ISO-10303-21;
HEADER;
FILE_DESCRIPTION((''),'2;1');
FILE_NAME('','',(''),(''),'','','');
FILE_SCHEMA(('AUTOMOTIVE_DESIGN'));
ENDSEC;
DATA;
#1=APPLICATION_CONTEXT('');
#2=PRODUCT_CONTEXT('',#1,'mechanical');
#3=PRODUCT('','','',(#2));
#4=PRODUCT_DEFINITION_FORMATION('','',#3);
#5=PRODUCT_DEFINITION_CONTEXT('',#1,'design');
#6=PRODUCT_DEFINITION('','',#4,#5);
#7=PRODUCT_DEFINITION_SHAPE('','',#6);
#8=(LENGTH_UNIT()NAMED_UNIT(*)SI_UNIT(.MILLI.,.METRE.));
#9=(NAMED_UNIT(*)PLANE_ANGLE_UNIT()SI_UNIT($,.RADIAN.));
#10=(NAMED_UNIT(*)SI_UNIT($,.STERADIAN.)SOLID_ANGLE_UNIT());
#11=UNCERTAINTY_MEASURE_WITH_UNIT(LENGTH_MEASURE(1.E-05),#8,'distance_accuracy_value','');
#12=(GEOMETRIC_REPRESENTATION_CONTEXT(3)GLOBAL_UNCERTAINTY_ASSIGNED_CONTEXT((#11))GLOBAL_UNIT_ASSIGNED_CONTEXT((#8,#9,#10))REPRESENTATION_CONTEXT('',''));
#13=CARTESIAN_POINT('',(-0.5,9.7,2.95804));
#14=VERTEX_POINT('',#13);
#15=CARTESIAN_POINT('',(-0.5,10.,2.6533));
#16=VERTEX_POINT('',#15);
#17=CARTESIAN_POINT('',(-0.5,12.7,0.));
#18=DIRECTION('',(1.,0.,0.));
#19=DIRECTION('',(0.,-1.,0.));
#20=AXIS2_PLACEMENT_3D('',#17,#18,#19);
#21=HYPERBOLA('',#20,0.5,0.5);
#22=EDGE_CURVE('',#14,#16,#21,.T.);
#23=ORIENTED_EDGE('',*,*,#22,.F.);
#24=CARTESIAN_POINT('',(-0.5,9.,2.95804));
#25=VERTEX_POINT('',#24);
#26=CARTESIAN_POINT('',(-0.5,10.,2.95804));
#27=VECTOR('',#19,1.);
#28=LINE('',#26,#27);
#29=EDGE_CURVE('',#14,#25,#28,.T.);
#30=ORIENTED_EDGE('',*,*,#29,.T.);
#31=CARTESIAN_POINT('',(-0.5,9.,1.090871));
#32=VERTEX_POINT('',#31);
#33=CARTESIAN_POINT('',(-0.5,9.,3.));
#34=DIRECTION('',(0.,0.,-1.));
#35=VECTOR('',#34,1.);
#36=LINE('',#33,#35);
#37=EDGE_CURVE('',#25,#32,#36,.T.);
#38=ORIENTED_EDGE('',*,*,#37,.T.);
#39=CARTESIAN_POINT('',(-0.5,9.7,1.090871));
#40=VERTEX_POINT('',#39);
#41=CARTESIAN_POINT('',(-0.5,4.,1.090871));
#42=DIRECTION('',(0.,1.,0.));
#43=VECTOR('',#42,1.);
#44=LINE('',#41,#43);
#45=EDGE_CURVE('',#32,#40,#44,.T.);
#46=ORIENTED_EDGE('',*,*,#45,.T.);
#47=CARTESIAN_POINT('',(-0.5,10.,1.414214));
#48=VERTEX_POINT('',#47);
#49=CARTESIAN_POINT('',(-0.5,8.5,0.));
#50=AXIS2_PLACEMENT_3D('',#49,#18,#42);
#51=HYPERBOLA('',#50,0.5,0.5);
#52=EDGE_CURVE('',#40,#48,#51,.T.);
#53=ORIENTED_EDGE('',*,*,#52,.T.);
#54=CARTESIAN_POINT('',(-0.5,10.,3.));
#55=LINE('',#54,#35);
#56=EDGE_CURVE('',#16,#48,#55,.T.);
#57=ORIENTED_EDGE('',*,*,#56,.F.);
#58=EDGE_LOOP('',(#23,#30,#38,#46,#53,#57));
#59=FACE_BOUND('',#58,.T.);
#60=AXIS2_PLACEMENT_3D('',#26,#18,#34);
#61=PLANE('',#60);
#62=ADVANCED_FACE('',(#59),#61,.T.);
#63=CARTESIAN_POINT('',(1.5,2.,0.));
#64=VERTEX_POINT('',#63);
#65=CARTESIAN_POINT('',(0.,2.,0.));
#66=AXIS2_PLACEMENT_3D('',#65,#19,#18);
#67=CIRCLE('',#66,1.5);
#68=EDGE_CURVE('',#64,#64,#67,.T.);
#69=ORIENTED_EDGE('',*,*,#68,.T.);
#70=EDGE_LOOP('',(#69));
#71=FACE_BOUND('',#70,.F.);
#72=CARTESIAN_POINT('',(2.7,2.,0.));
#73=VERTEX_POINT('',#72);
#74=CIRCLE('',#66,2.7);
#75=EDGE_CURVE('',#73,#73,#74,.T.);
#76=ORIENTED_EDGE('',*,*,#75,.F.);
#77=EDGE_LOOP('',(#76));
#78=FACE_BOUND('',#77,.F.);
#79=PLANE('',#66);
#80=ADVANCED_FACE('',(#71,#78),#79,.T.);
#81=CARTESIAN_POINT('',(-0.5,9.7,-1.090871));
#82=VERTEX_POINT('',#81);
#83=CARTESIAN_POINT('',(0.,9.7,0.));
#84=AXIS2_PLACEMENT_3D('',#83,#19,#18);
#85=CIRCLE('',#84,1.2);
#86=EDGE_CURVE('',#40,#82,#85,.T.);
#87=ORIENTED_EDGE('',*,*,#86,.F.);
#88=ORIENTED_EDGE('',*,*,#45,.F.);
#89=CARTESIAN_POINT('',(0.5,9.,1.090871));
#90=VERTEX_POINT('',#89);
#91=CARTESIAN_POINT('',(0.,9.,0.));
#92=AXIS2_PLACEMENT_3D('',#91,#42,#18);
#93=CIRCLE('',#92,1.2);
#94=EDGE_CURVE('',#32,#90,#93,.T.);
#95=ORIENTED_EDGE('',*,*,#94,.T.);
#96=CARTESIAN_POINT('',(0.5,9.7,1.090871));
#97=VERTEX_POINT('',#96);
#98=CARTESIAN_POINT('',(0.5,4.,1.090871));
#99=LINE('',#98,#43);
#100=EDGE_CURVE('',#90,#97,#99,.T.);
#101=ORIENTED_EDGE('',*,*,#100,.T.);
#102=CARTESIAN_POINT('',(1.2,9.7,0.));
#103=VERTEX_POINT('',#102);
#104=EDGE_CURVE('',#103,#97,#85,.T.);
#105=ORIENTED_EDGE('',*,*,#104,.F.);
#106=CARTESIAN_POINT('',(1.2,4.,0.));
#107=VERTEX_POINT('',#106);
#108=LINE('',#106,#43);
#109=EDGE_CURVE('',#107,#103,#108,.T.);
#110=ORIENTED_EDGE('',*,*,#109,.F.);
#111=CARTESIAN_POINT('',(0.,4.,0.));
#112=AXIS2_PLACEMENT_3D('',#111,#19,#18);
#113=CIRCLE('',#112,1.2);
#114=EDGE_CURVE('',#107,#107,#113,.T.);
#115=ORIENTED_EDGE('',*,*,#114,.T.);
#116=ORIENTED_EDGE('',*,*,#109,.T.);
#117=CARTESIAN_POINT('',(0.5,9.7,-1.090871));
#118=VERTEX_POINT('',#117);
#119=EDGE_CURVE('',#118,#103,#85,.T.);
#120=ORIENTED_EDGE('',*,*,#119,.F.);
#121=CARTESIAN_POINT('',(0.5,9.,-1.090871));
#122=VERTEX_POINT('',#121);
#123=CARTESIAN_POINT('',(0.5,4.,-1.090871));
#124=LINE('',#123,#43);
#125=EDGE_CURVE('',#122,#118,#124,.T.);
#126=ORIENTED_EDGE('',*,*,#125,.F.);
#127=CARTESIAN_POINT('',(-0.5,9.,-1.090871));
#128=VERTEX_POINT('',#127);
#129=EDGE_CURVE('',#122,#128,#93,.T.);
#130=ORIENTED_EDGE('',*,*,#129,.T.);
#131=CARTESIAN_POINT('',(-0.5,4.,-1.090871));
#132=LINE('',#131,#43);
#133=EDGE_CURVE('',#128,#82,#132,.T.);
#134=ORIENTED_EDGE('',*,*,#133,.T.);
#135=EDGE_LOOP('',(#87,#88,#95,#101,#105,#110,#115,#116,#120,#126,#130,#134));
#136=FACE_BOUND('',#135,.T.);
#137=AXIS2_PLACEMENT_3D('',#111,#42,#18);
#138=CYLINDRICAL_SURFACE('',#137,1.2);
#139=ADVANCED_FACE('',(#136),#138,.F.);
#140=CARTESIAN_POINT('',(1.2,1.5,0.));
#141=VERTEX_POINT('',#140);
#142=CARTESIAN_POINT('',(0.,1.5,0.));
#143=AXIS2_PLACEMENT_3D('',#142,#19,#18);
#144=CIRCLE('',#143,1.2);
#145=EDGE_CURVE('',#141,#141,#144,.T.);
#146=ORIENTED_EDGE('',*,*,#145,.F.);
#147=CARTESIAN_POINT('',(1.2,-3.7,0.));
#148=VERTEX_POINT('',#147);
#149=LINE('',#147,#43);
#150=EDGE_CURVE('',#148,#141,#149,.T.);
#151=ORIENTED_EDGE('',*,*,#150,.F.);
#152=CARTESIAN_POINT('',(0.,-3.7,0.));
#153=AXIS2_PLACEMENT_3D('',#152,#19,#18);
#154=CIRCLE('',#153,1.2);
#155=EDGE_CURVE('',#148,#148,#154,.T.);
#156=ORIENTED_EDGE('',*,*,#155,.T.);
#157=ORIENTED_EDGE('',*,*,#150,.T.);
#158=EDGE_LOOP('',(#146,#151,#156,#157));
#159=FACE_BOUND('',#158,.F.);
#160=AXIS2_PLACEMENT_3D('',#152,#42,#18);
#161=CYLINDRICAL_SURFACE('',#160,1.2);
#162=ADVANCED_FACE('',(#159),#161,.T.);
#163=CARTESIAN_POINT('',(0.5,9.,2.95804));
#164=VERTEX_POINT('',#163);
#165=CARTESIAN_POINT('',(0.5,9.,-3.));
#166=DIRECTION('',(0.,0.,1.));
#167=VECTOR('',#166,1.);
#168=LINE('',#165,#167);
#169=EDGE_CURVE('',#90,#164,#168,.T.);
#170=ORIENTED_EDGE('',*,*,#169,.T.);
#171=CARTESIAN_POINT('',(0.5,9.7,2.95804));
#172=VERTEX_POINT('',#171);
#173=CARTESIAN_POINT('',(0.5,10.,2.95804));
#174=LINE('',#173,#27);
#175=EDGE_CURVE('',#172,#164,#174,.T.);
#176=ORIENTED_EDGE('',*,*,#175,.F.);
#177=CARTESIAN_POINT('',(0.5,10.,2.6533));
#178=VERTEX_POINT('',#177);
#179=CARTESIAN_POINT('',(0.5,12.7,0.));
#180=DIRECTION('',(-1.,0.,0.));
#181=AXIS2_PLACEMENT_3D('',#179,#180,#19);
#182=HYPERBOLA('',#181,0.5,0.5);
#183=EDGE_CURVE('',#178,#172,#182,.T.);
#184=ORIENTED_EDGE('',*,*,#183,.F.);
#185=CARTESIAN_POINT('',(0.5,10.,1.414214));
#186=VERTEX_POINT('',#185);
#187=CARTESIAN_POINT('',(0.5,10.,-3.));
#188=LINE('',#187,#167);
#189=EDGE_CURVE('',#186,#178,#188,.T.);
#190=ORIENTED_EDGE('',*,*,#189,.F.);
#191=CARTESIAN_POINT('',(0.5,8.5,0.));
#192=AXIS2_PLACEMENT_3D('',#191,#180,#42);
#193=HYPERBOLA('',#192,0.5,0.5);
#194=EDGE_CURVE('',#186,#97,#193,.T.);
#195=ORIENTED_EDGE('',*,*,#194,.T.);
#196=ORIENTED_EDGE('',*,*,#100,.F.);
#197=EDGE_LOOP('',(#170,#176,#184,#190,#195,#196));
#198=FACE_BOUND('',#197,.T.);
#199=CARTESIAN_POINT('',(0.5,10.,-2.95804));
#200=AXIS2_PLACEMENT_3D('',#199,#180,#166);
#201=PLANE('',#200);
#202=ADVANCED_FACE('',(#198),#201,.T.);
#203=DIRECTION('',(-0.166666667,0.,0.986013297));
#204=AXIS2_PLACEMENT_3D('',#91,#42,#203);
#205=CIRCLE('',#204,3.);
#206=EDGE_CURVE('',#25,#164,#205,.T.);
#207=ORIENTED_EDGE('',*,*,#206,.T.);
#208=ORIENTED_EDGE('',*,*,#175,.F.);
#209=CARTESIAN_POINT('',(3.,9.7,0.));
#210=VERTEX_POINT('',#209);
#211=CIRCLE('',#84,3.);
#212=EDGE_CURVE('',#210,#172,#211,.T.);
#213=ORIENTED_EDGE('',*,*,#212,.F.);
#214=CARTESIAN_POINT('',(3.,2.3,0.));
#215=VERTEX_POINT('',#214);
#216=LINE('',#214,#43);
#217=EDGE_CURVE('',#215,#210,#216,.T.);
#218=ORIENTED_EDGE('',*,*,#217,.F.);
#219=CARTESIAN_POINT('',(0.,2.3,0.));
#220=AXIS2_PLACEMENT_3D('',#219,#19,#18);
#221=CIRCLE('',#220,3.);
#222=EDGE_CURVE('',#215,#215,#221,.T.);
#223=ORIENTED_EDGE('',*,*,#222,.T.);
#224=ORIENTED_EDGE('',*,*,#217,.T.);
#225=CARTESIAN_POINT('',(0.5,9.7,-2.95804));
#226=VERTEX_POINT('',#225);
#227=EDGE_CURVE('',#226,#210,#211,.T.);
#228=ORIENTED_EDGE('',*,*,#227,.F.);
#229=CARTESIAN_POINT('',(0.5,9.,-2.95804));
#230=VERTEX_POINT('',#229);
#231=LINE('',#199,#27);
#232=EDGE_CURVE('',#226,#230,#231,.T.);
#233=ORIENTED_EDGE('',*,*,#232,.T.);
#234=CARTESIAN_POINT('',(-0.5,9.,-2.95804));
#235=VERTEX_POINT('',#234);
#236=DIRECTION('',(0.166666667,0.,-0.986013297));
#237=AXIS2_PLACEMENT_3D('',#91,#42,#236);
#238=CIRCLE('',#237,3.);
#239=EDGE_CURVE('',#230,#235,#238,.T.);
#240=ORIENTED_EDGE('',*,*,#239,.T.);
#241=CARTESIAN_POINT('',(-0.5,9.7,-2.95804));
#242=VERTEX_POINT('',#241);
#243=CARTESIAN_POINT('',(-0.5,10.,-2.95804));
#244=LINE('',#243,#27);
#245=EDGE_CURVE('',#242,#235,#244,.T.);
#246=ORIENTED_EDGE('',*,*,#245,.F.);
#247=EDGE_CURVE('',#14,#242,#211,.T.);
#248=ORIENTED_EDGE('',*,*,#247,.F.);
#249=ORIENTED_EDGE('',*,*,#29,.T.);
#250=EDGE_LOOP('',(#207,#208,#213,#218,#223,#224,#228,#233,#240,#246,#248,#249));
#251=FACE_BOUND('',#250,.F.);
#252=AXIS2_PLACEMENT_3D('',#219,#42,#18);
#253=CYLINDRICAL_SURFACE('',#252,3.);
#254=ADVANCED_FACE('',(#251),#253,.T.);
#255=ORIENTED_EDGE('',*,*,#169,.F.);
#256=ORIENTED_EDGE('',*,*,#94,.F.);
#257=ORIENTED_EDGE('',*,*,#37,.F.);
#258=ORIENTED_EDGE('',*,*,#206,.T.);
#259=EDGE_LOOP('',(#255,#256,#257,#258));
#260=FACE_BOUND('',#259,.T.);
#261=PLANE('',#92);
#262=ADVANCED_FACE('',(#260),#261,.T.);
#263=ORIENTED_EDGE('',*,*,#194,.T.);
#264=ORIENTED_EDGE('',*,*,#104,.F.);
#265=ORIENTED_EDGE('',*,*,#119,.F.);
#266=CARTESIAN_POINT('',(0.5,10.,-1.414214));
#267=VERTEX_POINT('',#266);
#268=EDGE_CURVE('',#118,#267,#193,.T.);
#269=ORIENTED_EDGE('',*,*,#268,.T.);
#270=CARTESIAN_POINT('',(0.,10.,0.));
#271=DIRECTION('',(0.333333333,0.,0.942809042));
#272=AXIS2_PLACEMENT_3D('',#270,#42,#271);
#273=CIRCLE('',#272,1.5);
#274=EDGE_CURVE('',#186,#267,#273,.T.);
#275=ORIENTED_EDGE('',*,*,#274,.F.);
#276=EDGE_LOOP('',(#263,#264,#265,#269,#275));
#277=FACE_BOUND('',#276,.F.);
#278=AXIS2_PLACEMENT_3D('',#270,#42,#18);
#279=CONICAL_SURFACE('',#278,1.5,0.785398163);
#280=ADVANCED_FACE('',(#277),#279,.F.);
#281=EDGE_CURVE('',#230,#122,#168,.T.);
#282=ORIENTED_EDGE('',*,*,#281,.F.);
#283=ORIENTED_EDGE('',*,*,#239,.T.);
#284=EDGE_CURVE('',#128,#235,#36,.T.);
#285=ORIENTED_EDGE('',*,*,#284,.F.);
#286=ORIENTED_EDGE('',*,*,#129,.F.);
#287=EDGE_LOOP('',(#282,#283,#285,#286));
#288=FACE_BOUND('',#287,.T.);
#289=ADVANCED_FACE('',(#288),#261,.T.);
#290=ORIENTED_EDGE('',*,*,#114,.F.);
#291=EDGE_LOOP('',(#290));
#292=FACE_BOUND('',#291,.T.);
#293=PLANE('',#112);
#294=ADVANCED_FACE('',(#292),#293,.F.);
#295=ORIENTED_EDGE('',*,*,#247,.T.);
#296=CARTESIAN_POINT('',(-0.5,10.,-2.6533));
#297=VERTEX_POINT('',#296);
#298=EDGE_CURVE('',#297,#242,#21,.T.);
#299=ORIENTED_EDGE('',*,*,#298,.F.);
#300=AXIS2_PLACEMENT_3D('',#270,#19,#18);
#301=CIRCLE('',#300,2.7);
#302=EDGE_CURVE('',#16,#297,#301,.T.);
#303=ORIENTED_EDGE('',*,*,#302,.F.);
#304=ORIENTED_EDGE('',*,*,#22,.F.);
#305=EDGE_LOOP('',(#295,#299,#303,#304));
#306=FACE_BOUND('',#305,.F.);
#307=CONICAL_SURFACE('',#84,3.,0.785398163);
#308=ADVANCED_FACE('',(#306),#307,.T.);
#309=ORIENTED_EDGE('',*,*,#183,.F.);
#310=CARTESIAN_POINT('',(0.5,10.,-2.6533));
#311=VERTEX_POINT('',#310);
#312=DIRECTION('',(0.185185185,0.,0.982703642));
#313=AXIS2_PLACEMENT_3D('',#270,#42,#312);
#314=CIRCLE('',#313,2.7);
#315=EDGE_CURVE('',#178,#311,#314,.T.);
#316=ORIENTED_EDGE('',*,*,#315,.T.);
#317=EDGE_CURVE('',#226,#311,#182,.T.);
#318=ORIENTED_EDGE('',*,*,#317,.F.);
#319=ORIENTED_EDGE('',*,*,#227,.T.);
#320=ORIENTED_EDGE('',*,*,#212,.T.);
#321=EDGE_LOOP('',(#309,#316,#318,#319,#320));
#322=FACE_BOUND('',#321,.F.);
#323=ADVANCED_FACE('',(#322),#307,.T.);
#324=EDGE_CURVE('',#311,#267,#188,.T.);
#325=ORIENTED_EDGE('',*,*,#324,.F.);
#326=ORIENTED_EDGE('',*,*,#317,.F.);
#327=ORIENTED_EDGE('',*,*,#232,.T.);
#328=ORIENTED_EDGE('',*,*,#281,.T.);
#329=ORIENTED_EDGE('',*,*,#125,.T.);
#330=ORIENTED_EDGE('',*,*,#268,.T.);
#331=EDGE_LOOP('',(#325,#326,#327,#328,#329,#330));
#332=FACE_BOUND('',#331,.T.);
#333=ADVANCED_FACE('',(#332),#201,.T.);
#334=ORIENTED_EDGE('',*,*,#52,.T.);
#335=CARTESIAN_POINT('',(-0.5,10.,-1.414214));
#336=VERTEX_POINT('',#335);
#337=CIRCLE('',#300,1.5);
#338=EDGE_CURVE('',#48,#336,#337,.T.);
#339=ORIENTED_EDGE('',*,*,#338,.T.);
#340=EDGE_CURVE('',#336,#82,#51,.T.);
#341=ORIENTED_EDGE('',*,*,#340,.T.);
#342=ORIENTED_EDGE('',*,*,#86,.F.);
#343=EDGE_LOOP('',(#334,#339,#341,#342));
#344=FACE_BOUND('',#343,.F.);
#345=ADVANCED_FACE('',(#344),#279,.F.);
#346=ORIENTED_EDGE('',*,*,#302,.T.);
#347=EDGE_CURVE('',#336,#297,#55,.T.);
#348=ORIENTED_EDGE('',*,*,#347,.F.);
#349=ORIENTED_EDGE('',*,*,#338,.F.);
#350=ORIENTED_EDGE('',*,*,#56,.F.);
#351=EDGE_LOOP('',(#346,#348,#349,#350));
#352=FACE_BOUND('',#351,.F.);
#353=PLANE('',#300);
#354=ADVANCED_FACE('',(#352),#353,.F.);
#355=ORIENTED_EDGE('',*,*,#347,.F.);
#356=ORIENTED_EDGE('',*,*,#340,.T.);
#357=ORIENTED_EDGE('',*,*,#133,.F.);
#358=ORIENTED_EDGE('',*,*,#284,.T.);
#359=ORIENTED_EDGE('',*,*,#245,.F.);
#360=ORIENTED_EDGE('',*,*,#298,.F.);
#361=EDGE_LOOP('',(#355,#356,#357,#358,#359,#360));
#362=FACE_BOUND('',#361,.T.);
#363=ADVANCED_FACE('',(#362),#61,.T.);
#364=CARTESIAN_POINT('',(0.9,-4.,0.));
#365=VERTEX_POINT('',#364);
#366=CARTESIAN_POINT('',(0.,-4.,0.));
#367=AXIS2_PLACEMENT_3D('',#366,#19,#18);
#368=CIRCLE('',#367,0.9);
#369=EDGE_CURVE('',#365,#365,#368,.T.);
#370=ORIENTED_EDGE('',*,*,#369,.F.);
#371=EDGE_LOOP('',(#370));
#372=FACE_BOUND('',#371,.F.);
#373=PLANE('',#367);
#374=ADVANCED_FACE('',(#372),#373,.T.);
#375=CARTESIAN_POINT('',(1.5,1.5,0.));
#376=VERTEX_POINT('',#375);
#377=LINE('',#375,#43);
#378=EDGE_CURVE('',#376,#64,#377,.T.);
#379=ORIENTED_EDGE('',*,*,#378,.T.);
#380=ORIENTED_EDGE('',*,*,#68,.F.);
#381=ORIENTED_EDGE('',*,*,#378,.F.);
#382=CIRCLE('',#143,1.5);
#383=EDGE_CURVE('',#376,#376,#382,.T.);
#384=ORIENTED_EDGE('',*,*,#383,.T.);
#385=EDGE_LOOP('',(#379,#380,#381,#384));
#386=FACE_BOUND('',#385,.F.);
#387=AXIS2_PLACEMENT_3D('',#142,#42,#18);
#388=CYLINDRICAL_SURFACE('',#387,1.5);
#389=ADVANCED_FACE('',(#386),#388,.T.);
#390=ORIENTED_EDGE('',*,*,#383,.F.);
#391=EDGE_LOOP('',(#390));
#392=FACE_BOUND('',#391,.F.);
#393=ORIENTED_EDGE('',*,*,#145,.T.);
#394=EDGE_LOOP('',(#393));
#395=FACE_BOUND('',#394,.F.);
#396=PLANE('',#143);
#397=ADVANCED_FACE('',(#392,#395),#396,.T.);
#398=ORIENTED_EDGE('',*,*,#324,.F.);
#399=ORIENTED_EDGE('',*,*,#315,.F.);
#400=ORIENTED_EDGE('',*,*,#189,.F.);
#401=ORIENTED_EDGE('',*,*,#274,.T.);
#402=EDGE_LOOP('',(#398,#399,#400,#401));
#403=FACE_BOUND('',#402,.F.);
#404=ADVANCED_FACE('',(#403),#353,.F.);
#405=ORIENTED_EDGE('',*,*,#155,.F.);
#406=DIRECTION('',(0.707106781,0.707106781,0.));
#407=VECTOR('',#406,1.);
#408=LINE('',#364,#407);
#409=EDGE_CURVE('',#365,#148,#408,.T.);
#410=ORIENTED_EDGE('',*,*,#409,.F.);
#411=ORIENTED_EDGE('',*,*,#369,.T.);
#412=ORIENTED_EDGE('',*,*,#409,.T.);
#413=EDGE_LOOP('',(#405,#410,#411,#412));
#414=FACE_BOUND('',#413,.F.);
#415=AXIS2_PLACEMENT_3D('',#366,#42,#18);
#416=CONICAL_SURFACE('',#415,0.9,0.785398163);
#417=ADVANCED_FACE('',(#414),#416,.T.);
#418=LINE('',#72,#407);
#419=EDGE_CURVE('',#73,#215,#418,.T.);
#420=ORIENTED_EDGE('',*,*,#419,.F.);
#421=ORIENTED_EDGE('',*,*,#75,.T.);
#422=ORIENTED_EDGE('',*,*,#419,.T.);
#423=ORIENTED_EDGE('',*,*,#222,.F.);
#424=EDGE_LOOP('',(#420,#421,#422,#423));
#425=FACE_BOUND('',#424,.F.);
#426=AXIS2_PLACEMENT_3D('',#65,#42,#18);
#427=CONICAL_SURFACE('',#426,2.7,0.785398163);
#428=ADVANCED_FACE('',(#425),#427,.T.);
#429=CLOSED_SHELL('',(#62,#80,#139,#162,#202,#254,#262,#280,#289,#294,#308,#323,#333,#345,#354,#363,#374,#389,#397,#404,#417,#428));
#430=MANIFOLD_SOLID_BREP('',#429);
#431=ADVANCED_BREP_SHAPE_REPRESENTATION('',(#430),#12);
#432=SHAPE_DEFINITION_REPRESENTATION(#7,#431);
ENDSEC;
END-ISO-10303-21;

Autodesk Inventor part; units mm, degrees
ref_plane "YZ Plane" through (0, 0, 0) normal (1, 0, 0) x (0, 1, 0)
ref_plane "XZ Plane" through (0, 0, 0) normal (0, 1, 0) x (-1, 0, 0)
ref_plane "XY Plane" through (0, 0, 0) normal (0, 0, 1) x (1, 0, 0)
sketch "スケッチ1" plane through (0, 0, 0) normal (0, 0, 1) x (1, 0, 0)
  line L0 (0, -4) -> (0.9, -4)
  line L1 (0.9, -4) -> (1.2, -3.7)
  line L2 (1.2, -3.7) -> (1.2, 1.5)
  line L3 (1.2, 1.5) -> (1.5, 1.5)
  line L4 (1.5, 1.5) -> (1.5, 2)
  line L5 (1.5, 2) -> (2.7, 2)
  line L6 (3, 9.7) -> (2.7, 10)
  line L7 (2.7, 10) -> (1.5, 10)
  line L8 (1.5, 10) -> (1.2, 9.7)
  line L9 (0, 7.4044) -> (0, -7.4044) construction
  line L10 (0, -4) -> (0, 4)
  line L11 (0, 4) -> (1.2, 4)
  line L12 (1.2, 4) -> (1.2, 9.7)
  line L13 (2.7, 2) -> (3, 2.3)
  line L14 (3, 2.3) -> (3, 9.7)
  point P0 (0, 0)
  point P1 (0, 0)
  point P2 (0, 0)
  dimension "d0" = 2.4
  dimension "d1" = 6
  dimension "d2" = 0.3
  dimension "d3" = 0.3
  dimension "d4" = 3
  dimension "d5" = 0.5
  dimension "d6" = 8
  dimension "d7" = 0.3
  dimension "d8" = 2.4
  dimension "d9" = 6
  dimension "d10" = 0.3
  dimension "d11" = 0.3
  dimension "d12" = 0.3
  dimension "d13" = 0.3
  dimension "d14" = 6
revolve "回転1" add sketch "スケッチ1" angle 360 about axis through (0, 7.4044, 0) along (0, -1, 0)
sketch "スケッチ2" plane through (0, 10, 0) normal (0, 1, 0) x (1, 0, 0)
  line L0 (-0.5, 3) -> (0.5, 3)
  line L1 (0.5, 3) -> (0.5, -3)
  line L2 (0.5, -3) -> (-0.5, -3)
  line L3 (-0.5, -3) -> (-0.5, 3)
  line L4 (-0.5, 3) -> (0.5, -3) construction
  line L5 (0.5, 3) -> (-0.5, -3) construction
  circle A0 centre (0, 0) radius 3 projected
  point P0 (0, 0)
  point P1 (0.5, 2.958)
  point P2 (-0.5, 2.958)
  point P3 (-0.5, -2.958)
  point P4 (0.5, -2.958)
  dimension "d16" = 1
extrude "押し出し1" cut sketch "スケッチ2" against normal blind 1 contours A0 L1 L3
equation "\"d3\" = d2"
equation "\"d10\" = d7"
equation "\"d11\" = d7"
equation "\"d12\" = d11"
equation "\"d13\" = d12"
properties part number "BRU-307S" material "ステンレス鋼 AISI 304"
